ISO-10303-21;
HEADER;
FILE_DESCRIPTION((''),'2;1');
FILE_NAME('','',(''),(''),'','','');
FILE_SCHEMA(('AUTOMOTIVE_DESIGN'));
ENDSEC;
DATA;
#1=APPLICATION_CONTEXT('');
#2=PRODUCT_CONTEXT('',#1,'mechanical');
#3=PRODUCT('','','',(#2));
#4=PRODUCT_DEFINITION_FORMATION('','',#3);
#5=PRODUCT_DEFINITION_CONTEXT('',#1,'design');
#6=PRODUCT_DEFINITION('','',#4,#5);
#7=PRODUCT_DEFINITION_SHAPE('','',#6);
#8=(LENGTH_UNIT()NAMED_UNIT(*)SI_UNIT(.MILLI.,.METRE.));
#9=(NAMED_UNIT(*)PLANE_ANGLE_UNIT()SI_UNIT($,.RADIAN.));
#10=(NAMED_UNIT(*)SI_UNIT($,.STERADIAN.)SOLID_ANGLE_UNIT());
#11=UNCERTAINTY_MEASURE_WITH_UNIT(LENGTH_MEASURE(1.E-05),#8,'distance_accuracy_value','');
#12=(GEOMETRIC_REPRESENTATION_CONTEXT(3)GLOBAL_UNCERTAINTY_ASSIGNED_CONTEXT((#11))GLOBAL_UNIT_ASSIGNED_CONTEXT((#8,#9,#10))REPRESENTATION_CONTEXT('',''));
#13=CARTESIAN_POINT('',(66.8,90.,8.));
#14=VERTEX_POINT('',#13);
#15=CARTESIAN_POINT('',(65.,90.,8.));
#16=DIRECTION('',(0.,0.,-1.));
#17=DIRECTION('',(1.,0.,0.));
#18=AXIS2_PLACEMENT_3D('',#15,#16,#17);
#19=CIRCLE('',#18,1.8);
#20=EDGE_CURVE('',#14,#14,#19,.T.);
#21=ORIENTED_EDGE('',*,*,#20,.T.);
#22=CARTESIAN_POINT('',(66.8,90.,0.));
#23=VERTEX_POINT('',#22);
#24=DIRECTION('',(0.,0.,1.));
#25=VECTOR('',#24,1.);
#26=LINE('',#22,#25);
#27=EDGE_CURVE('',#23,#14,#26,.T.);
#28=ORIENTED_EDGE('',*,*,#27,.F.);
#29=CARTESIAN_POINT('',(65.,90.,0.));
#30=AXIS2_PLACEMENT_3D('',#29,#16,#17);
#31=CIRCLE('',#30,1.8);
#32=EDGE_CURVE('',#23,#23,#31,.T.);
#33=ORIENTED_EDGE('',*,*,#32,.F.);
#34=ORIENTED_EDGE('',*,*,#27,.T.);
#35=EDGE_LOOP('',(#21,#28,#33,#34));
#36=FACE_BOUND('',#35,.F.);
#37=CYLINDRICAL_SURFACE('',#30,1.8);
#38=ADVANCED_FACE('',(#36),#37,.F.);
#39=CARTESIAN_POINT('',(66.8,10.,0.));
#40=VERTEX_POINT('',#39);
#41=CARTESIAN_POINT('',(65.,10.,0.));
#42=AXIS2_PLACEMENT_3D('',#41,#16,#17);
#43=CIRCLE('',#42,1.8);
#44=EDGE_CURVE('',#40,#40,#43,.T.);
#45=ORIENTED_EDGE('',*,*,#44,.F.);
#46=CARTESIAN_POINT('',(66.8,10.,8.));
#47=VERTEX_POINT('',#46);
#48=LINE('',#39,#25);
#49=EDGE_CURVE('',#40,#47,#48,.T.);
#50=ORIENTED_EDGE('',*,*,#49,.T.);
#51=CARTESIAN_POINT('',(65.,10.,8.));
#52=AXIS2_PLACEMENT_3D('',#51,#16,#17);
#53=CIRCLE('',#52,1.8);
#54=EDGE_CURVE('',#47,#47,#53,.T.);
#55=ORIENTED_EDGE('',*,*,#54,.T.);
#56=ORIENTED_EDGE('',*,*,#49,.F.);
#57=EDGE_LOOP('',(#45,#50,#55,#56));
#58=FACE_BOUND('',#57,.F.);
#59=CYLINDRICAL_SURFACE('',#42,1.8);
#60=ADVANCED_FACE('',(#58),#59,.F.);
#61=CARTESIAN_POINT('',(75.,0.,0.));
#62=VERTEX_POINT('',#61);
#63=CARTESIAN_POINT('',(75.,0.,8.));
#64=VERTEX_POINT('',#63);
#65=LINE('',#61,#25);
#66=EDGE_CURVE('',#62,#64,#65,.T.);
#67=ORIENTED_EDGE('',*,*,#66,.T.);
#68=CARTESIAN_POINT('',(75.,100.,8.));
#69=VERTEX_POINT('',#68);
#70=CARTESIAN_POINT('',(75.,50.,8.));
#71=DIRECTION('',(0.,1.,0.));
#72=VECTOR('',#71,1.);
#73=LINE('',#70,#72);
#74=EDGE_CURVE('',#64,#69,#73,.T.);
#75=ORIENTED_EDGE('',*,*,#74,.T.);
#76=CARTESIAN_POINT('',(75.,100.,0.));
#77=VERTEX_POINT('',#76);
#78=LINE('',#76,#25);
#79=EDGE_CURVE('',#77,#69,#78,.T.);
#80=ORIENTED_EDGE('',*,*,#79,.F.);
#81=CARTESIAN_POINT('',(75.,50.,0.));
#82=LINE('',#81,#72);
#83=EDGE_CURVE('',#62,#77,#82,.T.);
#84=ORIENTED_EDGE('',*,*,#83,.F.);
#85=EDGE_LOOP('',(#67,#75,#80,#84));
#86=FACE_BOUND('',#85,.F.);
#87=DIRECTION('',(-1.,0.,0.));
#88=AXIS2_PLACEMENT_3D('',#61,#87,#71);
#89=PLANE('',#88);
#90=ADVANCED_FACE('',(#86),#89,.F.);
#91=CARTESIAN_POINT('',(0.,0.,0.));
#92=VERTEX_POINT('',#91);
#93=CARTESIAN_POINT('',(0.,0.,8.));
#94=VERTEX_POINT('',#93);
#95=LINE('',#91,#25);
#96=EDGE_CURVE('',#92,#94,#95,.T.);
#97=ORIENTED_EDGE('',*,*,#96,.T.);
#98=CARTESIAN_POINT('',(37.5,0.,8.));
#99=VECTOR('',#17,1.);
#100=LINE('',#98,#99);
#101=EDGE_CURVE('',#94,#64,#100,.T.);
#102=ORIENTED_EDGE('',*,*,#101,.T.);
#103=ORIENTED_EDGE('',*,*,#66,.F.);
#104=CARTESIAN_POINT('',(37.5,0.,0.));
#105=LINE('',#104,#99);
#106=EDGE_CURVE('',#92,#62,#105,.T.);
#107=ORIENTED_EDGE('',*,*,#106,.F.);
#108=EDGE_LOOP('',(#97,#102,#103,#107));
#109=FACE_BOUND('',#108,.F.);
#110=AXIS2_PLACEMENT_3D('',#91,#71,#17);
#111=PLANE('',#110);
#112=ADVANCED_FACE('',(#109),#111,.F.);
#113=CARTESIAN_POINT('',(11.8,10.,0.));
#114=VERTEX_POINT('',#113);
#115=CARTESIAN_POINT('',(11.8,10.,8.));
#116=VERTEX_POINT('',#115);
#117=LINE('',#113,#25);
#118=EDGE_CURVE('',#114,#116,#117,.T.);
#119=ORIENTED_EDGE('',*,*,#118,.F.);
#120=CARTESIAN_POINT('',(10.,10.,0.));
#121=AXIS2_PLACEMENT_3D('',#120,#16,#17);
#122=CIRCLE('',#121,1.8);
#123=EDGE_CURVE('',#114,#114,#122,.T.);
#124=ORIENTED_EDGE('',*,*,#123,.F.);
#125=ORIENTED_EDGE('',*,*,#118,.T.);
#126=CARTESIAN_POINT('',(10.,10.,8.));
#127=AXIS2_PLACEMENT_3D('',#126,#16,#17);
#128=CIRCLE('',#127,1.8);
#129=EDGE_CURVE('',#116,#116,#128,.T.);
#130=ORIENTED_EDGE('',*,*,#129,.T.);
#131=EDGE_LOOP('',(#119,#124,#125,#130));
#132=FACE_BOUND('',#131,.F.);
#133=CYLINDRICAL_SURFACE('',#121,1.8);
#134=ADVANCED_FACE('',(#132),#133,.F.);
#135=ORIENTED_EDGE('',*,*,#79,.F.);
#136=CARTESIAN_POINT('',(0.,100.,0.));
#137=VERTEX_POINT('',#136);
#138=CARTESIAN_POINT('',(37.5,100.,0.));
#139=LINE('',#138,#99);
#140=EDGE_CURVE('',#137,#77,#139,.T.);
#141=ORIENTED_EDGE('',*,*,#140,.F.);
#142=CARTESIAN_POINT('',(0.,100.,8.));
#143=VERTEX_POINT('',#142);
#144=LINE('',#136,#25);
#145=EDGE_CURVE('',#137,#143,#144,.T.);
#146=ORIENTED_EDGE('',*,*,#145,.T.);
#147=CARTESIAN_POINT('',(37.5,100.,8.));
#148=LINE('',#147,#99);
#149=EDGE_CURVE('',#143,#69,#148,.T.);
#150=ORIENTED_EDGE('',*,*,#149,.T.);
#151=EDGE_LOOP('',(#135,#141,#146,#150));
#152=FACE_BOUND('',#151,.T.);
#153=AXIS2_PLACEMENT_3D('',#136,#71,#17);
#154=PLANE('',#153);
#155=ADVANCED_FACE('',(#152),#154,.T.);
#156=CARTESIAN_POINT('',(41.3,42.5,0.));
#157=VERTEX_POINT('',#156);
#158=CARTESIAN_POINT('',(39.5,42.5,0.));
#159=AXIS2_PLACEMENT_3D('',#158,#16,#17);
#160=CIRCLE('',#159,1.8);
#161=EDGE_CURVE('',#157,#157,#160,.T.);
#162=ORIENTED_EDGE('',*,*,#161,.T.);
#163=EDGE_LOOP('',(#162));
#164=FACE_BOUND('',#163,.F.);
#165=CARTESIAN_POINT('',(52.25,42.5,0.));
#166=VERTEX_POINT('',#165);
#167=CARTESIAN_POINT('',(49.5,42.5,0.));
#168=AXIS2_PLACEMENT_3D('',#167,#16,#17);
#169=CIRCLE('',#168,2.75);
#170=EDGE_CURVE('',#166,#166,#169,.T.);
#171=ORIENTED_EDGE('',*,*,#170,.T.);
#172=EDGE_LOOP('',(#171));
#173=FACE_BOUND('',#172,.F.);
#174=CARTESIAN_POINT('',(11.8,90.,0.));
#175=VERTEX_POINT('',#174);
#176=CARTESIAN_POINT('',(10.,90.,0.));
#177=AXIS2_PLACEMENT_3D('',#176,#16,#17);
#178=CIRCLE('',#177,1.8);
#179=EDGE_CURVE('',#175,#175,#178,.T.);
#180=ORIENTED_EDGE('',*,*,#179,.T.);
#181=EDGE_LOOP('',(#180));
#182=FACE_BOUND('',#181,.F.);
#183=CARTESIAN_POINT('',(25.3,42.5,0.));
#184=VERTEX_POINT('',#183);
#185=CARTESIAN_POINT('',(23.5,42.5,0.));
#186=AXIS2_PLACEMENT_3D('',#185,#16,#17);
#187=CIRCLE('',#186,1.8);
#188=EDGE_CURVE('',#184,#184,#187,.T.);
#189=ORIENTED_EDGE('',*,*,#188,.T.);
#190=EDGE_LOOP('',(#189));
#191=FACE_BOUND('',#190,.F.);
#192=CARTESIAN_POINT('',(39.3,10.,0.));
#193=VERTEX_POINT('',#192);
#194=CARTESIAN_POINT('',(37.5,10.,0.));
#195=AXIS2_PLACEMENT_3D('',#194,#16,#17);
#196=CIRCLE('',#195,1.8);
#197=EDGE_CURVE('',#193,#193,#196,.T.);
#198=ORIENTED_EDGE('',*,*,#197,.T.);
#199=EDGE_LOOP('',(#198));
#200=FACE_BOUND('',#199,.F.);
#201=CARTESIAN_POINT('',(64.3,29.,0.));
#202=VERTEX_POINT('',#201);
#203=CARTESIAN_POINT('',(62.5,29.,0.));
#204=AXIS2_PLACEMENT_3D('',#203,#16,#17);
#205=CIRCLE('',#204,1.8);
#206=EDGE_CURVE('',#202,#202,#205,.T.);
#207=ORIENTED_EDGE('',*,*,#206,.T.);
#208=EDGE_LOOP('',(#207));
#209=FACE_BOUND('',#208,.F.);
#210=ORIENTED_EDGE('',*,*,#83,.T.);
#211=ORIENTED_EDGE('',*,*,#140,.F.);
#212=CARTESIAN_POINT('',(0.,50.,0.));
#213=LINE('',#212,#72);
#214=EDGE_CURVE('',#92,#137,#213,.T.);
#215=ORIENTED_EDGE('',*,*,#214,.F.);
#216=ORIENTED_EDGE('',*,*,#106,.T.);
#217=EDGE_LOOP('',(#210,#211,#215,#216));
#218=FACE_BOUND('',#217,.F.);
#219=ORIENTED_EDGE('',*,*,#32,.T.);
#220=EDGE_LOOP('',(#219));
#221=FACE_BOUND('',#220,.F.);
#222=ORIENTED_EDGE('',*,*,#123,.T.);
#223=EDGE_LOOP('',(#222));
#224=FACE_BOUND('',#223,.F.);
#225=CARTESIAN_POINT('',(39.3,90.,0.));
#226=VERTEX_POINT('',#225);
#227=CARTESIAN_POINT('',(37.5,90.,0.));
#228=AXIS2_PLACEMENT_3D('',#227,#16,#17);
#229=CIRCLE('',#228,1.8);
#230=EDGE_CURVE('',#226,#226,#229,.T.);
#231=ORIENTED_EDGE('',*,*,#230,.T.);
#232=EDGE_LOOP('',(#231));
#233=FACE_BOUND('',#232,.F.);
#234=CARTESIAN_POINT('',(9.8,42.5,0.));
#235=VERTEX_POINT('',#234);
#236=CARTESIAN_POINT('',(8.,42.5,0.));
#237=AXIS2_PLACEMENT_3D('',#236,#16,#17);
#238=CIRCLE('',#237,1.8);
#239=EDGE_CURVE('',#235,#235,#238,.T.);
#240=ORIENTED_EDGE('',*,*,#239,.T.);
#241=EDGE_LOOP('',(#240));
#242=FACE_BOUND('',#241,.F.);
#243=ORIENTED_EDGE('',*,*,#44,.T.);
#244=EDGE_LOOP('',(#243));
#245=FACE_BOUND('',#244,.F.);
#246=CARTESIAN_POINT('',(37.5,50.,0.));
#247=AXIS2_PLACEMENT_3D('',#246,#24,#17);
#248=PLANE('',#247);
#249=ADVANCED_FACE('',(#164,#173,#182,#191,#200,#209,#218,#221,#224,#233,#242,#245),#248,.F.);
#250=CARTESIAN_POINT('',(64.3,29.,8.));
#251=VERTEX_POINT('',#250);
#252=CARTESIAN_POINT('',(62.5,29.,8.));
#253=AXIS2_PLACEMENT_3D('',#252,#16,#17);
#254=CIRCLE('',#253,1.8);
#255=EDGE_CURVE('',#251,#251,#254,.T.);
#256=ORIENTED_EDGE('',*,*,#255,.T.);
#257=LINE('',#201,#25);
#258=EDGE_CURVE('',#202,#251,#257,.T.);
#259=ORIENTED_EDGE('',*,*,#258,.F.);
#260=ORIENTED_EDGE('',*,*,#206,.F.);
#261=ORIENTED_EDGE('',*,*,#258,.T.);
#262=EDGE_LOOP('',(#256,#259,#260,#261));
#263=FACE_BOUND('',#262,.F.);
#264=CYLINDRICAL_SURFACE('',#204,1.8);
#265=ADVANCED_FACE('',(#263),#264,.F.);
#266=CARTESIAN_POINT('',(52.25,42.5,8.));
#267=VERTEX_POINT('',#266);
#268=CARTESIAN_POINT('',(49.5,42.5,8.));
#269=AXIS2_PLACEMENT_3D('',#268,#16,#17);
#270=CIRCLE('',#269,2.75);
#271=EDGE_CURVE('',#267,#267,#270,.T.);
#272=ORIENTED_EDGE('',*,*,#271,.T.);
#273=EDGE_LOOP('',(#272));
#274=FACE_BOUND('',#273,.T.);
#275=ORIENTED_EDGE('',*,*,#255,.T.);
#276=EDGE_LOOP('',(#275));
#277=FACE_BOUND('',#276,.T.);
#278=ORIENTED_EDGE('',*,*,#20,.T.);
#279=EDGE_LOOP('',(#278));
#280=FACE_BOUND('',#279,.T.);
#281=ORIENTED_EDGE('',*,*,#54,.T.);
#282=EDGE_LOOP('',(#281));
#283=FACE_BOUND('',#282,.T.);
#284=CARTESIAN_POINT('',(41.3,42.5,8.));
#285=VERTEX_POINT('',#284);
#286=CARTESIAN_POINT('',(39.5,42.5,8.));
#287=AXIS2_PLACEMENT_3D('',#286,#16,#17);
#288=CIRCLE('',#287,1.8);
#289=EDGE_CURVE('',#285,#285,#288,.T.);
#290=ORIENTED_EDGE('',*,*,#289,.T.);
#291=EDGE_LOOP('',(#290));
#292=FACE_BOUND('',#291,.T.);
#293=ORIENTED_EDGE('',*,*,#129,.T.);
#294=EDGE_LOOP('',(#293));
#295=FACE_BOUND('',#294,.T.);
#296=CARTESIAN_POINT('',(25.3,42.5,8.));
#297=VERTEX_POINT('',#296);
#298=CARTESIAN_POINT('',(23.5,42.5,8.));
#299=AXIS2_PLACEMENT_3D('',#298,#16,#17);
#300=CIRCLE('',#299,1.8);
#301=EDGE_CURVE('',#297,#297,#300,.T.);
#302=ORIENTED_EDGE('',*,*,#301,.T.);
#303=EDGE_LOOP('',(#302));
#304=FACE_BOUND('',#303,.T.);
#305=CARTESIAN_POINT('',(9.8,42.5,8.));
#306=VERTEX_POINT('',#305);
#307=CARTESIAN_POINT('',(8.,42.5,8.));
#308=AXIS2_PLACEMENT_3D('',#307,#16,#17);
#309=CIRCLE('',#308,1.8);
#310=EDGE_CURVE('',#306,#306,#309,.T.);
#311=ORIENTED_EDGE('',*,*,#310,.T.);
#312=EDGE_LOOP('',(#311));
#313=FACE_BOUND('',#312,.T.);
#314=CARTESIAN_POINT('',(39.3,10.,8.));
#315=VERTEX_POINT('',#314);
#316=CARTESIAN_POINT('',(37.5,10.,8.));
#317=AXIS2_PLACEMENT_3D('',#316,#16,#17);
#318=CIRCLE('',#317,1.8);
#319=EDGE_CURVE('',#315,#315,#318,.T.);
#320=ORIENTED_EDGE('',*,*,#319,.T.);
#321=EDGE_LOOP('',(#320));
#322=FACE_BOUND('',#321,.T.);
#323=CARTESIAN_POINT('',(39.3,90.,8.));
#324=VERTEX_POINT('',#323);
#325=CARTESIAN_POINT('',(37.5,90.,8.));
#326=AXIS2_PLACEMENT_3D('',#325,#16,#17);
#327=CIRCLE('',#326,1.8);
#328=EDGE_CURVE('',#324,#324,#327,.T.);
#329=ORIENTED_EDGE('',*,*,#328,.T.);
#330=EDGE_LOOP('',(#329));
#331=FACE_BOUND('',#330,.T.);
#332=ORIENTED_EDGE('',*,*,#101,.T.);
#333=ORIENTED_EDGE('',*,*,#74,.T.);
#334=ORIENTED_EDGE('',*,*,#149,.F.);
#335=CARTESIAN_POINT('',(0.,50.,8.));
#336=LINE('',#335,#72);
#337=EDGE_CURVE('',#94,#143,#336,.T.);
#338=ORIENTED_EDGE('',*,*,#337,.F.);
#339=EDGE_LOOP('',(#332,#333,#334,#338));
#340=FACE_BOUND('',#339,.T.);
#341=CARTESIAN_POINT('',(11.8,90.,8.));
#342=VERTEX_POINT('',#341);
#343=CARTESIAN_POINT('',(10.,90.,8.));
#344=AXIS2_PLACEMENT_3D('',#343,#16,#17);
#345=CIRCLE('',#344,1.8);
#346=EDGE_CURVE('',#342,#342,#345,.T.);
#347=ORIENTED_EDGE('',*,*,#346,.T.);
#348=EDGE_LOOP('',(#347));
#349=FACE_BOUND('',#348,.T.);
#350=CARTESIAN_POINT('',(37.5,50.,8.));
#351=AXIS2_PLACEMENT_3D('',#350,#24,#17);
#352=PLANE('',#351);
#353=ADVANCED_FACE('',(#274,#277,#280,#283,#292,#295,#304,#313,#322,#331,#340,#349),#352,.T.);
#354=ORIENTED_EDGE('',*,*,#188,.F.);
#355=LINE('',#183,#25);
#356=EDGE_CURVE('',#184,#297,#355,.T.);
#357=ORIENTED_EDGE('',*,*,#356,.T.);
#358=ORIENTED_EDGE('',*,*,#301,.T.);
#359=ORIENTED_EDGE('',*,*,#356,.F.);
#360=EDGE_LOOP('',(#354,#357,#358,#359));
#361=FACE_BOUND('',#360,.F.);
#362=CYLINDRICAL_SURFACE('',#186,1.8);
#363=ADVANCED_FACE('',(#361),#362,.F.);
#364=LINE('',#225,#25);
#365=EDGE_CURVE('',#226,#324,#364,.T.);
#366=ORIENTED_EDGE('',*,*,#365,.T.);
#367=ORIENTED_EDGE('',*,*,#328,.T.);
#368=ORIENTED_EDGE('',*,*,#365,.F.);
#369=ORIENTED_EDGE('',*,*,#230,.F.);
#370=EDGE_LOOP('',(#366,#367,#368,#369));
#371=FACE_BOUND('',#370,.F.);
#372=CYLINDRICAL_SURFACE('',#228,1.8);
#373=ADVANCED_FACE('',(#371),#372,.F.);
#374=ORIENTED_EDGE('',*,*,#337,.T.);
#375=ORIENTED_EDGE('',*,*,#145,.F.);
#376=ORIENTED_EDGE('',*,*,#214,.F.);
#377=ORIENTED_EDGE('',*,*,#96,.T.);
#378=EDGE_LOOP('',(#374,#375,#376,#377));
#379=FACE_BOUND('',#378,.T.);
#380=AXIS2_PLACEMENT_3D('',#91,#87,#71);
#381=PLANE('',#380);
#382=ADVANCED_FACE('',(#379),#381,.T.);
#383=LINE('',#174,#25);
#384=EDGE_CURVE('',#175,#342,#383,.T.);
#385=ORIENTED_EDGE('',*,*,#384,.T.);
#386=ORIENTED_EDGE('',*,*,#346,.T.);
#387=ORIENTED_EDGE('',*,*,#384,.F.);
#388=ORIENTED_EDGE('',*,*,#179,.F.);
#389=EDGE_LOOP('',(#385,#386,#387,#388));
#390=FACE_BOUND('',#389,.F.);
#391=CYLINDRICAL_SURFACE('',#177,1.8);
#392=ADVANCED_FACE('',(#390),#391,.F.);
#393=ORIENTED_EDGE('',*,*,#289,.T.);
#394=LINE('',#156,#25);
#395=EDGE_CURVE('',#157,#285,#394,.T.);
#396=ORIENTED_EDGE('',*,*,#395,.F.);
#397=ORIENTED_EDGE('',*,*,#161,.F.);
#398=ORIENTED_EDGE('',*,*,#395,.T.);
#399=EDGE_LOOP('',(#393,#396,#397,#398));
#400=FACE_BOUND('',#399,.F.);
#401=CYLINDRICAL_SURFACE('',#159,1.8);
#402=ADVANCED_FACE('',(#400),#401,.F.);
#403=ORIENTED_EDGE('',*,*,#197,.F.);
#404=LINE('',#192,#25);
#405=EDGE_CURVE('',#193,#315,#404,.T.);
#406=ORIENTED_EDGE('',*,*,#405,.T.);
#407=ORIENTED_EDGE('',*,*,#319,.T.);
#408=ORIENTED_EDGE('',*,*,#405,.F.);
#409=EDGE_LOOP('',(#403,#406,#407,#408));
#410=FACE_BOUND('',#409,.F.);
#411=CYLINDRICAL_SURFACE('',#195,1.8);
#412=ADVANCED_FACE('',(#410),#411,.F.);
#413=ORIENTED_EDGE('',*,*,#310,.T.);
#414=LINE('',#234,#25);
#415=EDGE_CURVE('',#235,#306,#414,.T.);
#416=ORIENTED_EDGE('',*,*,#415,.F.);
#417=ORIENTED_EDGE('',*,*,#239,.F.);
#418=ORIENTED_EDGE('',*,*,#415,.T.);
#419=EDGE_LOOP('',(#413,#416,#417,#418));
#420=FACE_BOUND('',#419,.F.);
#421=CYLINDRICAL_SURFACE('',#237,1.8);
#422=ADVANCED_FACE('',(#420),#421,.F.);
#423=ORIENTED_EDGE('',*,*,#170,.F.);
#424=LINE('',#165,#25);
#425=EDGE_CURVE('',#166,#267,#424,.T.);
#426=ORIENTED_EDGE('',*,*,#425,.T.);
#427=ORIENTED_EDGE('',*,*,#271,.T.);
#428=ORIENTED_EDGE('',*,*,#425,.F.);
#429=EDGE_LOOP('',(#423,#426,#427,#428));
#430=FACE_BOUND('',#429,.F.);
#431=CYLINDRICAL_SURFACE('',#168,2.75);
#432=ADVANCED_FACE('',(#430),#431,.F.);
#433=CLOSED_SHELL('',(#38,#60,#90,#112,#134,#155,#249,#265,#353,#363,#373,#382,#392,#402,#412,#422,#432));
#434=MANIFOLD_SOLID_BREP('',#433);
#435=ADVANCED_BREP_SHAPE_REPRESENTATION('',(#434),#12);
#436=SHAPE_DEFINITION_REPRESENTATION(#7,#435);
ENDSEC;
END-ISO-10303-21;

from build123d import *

# Parameters (mm, degrees)
BOX_W         = 75
BOX_H         = 100
BOX_DEPTH     = 8
SKETCH_R      = 1.8
HOLE_DEPTH    = 8.001
SKETCH001_R   = 1.8
HOLE001_DEPTH = 25
SKETCH003_R   = 2.75
HOLE002_DEPTH = 8.001


with BuildPart() as part:
    # Box → Box (join)
    with BuildSketch(Plane.XY):
        with Locations((37.5, 50)):
            Rectangle(BOX_W, BOX_H)
    extrude(amount=BOX_DEPTH)

    # Sketch (on Face5 of Box) → Hole (cut, through all)
    with BuildSketch(Plane(origin=(0, 0, 0), x_dir=(1, 0, 0), z_dir=(0, 0, -1))):
        with Locations((10, -10)):
            Circle(SKETCH_R)
        with Locations((37.5, -10)):
            Circle(SKETCH_R)
        with Locations((65, -10)):
            Circle(SKETCH_R)
        with Locations((10, -90)):
            Circle(SKETCH_R)
        with Locations((37.5, -90)):
            Circle(SKETCH_R)
        with Locations((65, -90)):
            Circle(SKETCH_R)
    extrude(amount=-HOLE_DEPTH, mode=Mode.SUBTRACT)

    # Sketch001 (on Face5 of Hole) → Hole001 (cut)
    with BuildSketch(Plane(origin=(0, 0, 0), x_dir=(1, 0, 0), z_dir=(0, 0, -1))):
        with Locations((39.5, -42.5)):
            Circle(SKETCH001_R)
        with Locations((23.5, -42.5)):
            Circle(SKETCH001_R)
        with Locations((8, -42.5)):
            Circle(SKETCH001_R)
        with Locations((62.5, -29)):
            Circle(SKETCH001_R)
    extrude(amount=-HOLE001_DEPTH, mode=Mode.SUBTRACT)

    # Sketch003 (on Face5 of Hole001) → Hole002 (cut, through all)
    with BuildSketch(Plane(origin=(0, 0, 0), x_dir=(1, 0, 0), z_dir=(0, 0, -1))):
        with Locations((49.5, -42.5)):
            Circle(SKETCH003_R)
    extrude(amount=-HOLE002_DEPTH, mode=Mode.SUBTRACT)


solid = part.part
